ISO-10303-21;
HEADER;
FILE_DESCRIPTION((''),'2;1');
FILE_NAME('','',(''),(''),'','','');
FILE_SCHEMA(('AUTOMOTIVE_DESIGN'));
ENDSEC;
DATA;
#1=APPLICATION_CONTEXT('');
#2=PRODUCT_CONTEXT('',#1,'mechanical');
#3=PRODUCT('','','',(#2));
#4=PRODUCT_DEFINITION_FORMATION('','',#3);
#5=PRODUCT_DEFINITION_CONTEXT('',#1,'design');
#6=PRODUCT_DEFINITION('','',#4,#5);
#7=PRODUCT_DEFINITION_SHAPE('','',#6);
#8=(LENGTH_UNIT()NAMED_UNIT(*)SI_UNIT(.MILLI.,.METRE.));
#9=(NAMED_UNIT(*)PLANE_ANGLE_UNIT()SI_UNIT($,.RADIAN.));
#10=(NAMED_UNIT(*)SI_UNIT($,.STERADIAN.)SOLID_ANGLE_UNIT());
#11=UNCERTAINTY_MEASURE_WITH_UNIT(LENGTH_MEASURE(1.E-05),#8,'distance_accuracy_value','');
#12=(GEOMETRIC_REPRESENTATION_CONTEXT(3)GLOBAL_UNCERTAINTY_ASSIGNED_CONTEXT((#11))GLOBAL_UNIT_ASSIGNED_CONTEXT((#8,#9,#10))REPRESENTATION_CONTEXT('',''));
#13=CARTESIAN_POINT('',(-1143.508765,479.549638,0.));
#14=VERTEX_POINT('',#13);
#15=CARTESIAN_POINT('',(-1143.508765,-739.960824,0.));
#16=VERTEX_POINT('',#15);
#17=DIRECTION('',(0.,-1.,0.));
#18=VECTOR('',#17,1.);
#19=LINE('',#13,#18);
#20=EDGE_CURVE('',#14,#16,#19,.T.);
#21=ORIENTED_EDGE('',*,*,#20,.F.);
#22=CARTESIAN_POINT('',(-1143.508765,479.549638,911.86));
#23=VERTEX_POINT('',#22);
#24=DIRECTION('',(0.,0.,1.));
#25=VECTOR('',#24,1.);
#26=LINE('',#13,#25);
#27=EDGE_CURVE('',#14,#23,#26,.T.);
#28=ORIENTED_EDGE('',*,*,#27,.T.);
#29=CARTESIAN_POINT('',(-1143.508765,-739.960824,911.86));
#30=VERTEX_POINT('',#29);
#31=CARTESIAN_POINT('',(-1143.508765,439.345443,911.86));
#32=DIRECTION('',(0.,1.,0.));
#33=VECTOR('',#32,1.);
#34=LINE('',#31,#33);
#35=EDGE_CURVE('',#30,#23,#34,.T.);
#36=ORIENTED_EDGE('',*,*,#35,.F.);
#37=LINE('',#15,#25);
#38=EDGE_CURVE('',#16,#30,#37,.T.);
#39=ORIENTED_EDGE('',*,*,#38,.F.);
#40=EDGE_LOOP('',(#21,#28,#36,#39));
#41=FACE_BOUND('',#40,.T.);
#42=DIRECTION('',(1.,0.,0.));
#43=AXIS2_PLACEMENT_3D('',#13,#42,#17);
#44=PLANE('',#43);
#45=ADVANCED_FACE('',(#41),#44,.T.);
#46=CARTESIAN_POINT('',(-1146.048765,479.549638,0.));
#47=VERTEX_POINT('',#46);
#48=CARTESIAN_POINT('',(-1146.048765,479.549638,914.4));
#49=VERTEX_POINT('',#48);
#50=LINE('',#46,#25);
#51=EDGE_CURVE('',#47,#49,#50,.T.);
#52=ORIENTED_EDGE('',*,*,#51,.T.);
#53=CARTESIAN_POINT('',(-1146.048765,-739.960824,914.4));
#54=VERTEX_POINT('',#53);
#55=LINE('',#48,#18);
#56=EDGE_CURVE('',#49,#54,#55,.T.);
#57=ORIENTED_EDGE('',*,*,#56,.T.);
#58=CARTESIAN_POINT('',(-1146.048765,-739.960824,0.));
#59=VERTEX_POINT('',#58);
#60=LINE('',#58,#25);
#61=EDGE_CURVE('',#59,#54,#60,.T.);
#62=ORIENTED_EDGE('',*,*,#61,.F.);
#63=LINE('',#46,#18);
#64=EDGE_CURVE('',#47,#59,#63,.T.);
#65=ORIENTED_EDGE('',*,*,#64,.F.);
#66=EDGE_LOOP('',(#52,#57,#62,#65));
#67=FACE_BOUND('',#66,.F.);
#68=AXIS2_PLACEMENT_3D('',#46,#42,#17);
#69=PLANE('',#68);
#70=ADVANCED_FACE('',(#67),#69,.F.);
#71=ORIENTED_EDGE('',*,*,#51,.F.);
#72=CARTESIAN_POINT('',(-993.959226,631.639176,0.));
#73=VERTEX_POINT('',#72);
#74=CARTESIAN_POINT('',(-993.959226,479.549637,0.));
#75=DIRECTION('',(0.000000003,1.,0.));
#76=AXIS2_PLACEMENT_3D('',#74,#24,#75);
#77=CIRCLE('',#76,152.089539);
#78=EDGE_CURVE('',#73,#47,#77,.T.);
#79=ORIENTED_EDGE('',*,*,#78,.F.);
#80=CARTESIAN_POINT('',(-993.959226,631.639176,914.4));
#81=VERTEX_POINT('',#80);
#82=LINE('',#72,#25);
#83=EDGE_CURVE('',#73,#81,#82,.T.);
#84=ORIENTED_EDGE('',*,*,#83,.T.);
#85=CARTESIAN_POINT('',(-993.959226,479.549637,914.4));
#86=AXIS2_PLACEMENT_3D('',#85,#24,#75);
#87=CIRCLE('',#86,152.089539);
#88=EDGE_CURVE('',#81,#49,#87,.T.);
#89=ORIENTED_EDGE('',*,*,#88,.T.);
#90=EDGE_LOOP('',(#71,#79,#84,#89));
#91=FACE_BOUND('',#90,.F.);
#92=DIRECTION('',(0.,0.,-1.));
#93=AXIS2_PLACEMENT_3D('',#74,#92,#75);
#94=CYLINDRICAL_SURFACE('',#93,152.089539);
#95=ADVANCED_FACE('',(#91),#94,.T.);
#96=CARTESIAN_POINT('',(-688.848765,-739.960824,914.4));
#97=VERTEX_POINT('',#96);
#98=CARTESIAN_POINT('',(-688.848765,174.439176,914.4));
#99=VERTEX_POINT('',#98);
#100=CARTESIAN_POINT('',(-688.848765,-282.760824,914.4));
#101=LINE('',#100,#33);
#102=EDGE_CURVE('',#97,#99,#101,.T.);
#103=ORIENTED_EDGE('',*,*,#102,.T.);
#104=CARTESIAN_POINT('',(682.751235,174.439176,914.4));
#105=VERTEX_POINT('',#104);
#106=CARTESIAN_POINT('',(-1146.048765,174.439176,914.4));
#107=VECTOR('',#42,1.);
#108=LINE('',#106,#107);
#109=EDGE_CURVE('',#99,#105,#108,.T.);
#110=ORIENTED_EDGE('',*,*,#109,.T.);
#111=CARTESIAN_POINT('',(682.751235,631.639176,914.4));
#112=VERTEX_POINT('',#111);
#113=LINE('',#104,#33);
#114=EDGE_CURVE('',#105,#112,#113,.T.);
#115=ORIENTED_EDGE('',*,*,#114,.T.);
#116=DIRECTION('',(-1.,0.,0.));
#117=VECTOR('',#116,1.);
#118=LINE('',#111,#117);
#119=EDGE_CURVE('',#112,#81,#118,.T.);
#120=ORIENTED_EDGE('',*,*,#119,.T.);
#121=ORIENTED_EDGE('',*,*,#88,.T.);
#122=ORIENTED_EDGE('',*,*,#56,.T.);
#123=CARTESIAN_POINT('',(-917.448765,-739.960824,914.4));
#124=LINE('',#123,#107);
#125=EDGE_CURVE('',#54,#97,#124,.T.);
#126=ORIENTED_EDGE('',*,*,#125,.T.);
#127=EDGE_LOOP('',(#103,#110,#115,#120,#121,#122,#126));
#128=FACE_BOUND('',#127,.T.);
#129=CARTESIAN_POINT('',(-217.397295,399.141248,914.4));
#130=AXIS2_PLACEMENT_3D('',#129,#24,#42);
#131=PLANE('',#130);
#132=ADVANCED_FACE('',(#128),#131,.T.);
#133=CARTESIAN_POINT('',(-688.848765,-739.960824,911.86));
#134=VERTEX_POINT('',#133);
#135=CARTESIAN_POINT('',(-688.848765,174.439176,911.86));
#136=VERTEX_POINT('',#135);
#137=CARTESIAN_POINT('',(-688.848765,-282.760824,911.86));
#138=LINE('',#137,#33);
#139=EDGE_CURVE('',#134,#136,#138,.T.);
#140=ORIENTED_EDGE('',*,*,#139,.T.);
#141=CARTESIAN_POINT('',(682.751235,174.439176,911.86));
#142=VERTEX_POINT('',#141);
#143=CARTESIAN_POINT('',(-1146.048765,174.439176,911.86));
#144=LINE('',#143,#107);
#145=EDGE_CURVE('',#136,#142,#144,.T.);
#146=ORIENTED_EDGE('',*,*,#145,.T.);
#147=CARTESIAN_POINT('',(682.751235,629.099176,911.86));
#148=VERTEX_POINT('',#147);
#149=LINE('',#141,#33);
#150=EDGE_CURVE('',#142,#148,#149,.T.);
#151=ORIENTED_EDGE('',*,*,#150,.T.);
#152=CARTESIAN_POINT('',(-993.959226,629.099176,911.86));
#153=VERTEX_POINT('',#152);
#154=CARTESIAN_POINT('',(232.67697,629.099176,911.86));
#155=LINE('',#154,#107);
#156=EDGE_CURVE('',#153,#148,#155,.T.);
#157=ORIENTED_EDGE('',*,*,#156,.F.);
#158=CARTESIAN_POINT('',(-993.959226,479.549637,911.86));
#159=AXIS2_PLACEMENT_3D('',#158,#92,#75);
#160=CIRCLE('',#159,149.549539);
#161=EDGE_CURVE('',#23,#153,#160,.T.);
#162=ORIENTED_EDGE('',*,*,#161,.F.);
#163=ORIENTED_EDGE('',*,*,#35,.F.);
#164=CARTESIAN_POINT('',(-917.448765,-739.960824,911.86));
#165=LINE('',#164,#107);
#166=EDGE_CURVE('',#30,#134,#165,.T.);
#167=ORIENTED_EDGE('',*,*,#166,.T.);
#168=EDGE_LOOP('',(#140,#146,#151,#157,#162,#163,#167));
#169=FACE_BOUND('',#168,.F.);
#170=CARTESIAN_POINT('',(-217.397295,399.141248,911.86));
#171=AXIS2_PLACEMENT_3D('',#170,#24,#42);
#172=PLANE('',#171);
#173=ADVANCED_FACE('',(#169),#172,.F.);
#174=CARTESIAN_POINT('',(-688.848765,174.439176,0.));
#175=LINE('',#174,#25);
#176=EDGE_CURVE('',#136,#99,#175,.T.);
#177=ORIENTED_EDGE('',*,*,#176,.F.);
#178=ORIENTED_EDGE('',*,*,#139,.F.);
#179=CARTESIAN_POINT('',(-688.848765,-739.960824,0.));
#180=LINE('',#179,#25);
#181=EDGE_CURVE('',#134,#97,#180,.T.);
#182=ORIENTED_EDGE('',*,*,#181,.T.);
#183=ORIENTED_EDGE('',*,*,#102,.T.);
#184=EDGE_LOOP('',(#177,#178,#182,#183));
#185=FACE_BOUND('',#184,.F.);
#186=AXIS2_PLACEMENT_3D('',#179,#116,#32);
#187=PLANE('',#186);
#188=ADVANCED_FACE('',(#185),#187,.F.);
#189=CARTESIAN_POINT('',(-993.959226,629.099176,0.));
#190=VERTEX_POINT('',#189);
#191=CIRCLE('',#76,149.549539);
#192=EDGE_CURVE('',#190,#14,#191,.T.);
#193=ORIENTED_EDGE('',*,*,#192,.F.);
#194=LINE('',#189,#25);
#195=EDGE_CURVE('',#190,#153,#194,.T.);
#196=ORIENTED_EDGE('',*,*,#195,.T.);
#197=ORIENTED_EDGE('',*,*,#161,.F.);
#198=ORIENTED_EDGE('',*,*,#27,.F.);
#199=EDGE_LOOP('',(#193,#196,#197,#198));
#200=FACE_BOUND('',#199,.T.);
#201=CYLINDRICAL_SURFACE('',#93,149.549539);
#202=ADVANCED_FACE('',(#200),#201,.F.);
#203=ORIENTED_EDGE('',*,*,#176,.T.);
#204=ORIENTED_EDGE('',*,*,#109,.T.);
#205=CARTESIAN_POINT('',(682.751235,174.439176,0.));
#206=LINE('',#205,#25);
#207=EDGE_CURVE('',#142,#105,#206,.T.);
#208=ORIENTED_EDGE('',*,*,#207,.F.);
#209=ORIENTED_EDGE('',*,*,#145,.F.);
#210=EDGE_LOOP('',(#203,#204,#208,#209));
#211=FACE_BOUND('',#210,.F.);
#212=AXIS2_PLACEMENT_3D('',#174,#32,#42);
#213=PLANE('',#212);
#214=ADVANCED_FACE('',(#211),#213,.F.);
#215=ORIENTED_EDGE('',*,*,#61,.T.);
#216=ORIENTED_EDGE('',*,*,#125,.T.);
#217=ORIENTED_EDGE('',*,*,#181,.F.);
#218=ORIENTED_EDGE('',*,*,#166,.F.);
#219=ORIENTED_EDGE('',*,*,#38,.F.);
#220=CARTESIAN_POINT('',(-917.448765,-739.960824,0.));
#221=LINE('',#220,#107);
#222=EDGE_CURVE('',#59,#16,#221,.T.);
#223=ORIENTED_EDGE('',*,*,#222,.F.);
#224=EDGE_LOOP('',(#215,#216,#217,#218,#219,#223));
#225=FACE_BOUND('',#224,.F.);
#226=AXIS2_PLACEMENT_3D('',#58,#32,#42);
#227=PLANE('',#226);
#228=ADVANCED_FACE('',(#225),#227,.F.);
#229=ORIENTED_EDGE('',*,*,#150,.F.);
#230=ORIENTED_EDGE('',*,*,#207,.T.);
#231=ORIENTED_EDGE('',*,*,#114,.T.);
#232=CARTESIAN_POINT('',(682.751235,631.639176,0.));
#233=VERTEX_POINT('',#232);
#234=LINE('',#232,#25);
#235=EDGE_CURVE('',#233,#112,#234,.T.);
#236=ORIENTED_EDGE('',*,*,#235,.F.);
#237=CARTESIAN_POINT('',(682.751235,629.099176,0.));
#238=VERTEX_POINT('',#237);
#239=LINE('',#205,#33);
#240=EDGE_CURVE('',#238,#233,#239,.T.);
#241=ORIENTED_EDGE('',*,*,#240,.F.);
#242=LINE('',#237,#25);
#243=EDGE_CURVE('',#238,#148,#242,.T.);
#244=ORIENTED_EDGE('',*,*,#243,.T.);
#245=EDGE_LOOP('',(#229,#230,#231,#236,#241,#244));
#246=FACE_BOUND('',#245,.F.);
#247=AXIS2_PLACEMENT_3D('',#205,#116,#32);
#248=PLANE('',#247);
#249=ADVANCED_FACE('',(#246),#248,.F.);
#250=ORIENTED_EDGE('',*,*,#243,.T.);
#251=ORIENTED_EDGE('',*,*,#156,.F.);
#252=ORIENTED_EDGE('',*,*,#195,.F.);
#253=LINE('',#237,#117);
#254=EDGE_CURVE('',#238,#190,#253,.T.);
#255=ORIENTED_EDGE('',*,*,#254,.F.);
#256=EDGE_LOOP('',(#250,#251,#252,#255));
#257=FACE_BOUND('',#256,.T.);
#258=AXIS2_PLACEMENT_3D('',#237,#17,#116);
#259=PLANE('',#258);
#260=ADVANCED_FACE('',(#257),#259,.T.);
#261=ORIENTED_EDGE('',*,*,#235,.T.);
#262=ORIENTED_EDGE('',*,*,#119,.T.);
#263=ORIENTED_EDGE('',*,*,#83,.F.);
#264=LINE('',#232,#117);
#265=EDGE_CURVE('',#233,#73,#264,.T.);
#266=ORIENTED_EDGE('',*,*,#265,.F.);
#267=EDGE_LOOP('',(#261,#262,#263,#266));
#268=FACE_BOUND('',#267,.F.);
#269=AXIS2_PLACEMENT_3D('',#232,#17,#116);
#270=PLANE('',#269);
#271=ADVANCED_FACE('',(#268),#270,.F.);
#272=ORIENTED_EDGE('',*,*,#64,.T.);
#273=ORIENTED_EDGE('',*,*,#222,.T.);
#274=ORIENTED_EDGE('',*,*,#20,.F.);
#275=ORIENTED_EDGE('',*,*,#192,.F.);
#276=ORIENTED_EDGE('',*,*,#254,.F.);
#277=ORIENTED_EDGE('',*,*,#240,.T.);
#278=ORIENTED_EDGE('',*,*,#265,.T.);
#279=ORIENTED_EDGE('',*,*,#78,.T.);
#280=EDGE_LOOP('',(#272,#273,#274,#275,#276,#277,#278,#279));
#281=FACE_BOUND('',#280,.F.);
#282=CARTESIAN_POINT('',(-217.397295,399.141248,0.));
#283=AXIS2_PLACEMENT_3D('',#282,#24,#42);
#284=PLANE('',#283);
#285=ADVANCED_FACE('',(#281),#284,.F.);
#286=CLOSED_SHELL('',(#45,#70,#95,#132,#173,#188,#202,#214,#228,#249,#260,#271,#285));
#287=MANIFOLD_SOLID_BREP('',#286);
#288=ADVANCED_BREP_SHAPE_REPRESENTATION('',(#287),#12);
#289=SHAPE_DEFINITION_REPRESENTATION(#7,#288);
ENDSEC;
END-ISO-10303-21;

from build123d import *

# Parameters (mm, degrees)
F0_W     = 457.2
F0_H     = 914.4
F1_DEPTH = 914.4
F2_T     = -2.54


with BuildPart() as f1:
    # F0 (on Top) → F1 (new body)
    with BuildSketch(Plane.XY):
        with BuildLine():
            Line((682.751235, 631.639176), (-993.959226, 631.639176))
            ThreePointArc((-993.959226, 631.639176), (-1101.50277, 587.093182), (-1146.048765, 479.549638))
            Line((-1146.048765, 479.549638), (-1146.048765, 174.439176))
            Line((-1146.048765, 174.439176), (-688.848765, 174.439176))
            Line((-688.848765, 174.439176), (682.751235, 174.439176))
            Line((682.751235, 174.439176), (682.751235, 631.639176))
        make_face()
        with Locations((-917.448765, -282.760824)):
            Rectangle(F0_W, F0_H)
    extrude(amount=F1_DEPTH)

    # F2
    f2_openings = [f1.faces().sort_by_distance(p)[0] for p in [
        (-3.048765, 174.439176, 457.2),
        (682.751235, 403.039176, 457.2),
        (-917.448765, -739.960824, 457.2),
        (-688.848765, -282.760824, 457.2),
        (659.891235, 403.039176, 0),
    ]]
    offset(amount=F2_T, openings=f2_openings)


solid = f1.part
